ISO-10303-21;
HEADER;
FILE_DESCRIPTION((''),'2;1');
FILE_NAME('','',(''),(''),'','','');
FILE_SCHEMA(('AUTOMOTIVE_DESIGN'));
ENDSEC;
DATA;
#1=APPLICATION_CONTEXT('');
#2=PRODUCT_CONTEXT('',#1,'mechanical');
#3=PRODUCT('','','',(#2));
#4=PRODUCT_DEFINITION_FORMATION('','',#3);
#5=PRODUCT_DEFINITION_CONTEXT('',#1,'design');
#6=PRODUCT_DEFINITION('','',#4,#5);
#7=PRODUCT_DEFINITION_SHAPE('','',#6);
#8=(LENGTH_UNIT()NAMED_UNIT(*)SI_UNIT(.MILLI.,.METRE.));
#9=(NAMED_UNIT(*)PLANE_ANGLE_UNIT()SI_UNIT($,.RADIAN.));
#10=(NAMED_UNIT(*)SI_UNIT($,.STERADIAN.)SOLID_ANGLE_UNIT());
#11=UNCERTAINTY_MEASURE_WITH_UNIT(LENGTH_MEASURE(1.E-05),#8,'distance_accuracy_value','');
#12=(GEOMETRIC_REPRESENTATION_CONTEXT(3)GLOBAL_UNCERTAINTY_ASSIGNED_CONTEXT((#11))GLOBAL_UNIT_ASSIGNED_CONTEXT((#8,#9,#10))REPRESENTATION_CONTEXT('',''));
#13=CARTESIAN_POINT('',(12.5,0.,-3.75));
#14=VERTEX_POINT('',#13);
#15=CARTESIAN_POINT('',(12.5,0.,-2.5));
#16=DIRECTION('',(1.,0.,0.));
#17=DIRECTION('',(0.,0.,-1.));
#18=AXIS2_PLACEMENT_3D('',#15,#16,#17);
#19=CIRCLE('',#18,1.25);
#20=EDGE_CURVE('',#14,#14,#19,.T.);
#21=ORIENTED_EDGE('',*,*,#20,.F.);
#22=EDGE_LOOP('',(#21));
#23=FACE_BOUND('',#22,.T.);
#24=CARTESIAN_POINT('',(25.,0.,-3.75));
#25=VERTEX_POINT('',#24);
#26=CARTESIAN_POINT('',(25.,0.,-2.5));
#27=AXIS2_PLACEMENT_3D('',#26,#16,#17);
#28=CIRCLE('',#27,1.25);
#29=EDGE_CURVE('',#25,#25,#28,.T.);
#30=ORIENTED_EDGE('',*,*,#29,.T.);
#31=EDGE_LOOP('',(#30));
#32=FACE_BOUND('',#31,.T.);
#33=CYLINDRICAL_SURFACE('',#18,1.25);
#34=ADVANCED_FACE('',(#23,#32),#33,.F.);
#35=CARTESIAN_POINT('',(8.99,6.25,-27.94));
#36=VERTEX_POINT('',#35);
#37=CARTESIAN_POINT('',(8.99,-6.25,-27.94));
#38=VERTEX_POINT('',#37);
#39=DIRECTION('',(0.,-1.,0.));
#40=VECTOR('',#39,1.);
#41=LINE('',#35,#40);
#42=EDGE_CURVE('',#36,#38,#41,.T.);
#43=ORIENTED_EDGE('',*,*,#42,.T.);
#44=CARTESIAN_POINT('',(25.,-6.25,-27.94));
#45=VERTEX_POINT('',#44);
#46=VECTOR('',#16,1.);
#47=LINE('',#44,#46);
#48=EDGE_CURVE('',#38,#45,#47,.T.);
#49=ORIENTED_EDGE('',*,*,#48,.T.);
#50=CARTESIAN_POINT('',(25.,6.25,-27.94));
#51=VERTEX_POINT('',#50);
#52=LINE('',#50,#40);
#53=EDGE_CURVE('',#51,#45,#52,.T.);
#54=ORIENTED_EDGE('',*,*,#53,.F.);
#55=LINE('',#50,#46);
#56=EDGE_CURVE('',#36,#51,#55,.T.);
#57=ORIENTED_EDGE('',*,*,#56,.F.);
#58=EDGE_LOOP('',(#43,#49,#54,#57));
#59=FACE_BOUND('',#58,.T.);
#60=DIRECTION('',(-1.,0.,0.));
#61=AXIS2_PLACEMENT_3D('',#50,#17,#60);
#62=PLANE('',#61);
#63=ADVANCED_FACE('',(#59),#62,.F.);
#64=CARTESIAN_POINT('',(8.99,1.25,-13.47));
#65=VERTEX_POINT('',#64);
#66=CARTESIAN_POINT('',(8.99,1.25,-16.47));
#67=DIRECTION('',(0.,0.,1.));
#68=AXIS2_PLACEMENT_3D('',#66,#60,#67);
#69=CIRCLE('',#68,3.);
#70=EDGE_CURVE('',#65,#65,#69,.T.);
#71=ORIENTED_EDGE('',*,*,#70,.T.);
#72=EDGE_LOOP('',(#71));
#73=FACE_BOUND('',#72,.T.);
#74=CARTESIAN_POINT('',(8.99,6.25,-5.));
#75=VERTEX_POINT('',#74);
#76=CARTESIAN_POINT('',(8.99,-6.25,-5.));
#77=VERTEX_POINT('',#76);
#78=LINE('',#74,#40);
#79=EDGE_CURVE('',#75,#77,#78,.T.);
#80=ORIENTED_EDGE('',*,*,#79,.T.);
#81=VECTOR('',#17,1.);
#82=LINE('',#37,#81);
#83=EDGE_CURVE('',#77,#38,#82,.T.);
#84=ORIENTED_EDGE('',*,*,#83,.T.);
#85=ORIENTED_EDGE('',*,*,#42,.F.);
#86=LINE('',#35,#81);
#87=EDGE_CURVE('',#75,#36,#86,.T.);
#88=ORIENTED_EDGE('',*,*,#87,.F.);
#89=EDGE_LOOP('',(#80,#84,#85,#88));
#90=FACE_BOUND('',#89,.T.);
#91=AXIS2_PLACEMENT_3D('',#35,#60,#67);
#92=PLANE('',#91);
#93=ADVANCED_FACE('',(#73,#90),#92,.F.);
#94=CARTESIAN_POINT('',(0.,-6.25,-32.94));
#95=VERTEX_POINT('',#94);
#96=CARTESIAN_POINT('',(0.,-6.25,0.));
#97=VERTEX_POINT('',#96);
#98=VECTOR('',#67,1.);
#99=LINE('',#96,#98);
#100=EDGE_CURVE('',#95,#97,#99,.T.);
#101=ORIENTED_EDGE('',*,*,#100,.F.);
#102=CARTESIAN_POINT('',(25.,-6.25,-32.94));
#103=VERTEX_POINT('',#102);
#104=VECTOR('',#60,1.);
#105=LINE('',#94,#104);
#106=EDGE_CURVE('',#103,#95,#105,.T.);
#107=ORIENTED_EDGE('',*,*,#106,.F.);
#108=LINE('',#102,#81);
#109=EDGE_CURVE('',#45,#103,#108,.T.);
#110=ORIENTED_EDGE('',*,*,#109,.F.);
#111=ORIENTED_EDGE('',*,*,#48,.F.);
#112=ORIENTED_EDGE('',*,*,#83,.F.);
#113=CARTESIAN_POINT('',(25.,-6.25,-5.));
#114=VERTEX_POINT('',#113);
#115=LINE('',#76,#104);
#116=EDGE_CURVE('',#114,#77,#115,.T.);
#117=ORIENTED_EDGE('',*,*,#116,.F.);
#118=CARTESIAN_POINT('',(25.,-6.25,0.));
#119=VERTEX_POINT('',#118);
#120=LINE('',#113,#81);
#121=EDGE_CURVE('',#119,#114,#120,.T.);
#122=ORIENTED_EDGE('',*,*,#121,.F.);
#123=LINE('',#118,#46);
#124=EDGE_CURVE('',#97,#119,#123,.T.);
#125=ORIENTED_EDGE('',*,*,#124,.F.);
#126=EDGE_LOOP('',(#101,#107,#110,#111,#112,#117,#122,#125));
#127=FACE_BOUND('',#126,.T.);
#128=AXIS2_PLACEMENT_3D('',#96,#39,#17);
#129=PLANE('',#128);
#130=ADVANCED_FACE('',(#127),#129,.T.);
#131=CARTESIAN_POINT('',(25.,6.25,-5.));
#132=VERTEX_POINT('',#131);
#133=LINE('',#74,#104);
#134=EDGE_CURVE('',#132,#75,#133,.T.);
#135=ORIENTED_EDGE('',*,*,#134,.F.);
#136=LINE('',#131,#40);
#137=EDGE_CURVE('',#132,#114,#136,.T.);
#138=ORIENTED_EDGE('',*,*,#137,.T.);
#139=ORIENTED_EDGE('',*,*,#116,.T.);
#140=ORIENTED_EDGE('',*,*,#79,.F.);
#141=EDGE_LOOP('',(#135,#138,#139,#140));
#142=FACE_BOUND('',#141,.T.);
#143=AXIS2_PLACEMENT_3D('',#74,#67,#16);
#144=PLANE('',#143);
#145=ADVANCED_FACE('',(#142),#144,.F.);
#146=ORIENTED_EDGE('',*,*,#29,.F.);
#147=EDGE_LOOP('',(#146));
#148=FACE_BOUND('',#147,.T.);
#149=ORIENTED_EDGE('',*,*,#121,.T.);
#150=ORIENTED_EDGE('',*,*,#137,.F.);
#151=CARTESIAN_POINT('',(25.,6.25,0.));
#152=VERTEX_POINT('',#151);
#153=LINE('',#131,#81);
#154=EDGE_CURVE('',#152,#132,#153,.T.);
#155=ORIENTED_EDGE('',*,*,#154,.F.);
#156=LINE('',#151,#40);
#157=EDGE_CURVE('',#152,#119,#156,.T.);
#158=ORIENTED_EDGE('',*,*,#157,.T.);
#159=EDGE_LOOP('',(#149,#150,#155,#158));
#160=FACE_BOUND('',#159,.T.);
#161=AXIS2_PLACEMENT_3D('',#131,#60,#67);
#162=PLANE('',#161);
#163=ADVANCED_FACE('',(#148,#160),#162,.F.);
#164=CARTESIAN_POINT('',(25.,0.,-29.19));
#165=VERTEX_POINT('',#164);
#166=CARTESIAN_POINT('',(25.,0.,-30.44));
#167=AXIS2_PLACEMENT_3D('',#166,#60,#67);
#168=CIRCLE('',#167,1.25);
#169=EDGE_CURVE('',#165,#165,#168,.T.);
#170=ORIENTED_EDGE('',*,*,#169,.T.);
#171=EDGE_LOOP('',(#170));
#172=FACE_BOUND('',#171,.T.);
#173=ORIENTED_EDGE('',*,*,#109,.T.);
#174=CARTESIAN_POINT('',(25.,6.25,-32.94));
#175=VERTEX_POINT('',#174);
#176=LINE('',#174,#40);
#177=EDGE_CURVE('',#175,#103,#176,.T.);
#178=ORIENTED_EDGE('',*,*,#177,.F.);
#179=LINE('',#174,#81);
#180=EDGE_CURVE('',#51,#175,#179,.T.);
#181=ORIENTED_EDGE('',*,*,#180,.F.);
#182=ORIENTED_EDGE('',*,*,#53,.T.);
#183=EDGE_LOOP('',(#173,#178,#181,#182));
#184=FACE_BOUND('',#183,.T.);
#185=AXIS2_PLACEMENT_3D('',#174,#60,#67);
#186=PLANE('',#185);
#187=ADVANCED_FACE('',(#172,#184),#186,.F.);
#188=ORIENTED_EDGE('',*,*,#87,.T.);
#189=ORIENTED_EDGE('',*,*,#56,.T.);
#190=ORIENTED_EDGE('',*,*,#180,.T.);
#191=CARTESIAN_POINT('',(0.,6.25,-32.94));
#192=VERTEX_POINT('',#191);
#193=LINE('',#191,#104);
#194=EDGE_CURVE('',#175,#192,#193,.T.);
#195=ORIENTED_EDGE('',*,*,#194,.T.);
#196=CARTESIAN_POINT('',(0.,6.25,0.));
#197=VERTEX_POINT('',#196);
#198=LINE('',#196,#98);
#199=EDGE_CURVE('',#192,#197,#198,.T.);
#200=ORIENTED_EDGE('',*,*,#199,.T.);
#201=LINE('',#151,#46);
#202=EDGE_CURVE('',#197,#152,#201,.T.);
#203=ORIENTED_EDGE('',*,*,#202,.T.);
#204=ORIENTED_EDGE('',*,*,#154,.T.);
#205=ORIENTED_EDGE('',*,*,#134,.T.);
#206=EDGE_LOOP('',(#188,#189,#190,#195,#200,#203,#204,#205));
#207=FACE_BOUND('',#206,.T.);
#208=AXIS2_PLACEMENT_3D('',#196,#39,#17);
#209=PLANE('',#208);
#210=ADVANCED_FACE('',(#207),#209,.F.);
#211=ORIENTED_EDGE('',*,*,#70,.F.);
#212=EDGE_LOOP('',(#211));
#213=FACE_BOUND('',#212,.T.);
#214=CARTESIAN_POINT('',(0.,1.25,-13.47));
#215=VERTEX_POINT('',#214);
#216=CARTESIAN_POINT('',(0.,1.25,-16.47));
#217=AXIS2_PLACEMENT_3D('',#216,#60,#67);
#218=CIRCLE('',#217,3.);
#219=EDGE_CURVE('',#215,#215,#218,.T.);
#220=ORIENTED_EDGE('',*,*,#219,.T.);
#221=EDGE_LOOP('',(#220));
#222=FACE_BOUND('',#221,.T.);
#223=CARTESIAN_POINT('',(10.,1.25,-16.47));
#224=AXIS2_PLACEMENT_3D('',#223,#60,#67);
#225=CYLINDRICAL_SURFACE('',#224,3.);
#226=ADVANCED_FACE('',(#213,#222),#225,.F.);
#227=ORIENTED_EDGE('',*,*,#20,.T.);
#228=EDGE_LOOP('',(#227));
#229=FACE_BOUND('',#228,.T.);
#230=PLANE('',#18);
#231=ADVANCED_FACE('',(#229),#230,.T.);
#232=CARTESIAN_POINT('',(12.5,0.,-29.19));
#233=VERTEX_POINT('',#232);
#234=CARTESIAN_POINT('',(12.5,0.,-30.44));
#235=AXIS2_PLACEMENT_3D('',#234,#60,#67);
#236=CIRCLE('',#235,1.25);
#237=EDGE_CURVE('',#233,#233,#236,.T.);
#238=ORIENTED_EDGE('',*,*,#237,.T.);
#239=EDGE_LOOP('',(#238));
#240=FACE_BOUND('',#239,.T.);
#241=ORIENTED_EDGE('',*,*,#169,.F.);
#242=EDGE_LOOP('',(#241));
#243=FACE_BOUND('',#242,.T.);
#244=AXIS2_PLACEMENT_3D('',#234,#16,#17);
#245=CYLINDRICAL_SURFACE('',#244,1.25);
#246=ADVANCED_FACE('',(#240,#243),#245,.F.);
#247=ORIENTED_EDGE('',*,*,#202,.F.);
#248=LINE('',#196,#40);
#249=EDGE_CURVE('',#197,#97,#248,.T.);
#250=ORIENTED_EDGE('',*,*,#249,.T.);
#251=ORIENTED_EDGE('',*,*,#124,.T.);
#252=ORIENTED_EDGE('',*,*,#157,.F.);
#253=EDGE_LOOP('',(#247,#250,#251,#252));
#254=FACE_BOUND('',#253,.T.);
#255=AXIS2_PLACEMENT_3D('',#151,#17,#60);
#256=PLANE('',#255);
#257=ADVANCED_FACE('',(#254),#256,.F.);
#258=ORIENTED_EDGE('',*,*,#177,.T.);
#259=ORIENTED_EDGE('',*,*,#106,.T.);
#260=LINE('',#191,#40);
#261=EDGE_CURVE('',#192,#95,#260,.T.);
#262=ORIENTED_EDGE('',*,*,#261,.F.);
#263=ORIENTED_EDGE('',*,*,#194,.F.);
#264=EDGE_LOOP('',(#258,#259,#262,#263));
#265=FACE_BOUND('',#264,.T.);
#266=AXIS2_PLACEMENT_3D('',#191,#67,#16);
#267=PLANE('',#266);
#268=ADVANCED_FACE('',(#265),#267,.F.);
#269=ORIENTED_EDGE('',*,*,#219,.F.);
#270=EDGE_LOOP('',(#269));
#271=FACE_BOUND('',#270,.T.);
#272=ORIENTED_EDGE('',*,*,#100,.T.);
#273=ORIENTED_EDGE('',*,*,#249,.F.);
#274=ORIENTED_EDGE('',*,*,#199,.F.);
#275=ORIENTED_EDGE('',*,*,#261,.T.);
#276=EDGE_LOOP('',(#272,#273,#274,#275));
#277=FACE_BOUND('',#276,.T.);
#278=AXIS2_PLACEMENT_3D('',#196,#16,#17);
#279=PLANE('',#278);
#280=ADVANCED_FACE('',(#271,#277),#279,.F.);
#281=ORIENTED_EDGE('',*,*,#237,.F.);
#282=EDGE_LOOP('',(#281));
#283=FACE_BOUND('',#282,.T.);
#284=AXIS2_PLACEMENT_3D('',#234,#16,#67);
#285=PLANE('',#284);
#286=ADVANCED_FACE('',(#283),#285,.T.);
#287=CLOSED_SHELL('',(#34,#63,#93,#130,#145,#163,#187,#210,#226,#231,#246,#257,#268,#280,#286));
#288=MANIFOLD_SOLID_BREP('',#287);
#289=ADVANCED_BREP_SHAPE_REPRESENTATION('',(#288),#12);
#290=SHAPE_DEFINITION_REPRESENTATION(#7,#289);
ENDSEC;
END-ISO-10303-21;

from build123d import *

# Parameters (mm, degrees)
Y_KSEKLIK_EKSTR_ZYON1_DEPTH = 6.25
IZIM2_R                     = 1.25
KES_EKSTR_ZYON1_DEPTH       = 12.5
IZIM4_R                     = 3
KES_EKSTR_ZYON2_DEPTH       = 10


with BuildPart() as part:
    # Çizim1 → Yükseklik-Ekstrüzyon1 (new, symmetric)
    with BuildSketch(Plane(origin=(0, 0, 0), x_dir=(1, 0, 0), z_dir=(0, 1, 0))):
        Polygon((0, 0), (0, 32.94), (25, 32.94), (25, 27.94), (8.99, 27.94), (8.99, 5), (25, 5), (25, 0), align=None)
    extrude(amount=Y_KSEKLIK_EKSTR_ZYON1_DEPTH, both=True)

    # Çizim2 → Kes-Ekstrüzyon1 (cut)
    with BuildSketch(Plane(origin=(25, 0, 0), x_dir=(0, 0, -1), z_dir=(1, 0, 0))):
        with Locations((2.5, 0)):
            Circle(IZIM2_R)
    kes_ekstr_zyon1 = extrude(amount=-KES_EKSTR_ZYON1_DEPTH, mode=Mode.SUBTRACT)

    # Aynalama1: Kes-Ekstrüzyon1 across plane
    add(kes_ekstr_zyon1.mirror(Plane.XY.offset(-16.47)), mode=Mode.SUBTRACT)

    # Çizim4 → Kes-Ekstrüzyon2 (cut)
    with BuildSketch(Plane.ZY):
        with Locations((-16.47, 1.25)):
            Circle(IZIM4_R)
    extrude(amount=-KES_EKSTR_ZYON2_DEPTH, mode=Mode.SUBTRACT)


solid = part.part
